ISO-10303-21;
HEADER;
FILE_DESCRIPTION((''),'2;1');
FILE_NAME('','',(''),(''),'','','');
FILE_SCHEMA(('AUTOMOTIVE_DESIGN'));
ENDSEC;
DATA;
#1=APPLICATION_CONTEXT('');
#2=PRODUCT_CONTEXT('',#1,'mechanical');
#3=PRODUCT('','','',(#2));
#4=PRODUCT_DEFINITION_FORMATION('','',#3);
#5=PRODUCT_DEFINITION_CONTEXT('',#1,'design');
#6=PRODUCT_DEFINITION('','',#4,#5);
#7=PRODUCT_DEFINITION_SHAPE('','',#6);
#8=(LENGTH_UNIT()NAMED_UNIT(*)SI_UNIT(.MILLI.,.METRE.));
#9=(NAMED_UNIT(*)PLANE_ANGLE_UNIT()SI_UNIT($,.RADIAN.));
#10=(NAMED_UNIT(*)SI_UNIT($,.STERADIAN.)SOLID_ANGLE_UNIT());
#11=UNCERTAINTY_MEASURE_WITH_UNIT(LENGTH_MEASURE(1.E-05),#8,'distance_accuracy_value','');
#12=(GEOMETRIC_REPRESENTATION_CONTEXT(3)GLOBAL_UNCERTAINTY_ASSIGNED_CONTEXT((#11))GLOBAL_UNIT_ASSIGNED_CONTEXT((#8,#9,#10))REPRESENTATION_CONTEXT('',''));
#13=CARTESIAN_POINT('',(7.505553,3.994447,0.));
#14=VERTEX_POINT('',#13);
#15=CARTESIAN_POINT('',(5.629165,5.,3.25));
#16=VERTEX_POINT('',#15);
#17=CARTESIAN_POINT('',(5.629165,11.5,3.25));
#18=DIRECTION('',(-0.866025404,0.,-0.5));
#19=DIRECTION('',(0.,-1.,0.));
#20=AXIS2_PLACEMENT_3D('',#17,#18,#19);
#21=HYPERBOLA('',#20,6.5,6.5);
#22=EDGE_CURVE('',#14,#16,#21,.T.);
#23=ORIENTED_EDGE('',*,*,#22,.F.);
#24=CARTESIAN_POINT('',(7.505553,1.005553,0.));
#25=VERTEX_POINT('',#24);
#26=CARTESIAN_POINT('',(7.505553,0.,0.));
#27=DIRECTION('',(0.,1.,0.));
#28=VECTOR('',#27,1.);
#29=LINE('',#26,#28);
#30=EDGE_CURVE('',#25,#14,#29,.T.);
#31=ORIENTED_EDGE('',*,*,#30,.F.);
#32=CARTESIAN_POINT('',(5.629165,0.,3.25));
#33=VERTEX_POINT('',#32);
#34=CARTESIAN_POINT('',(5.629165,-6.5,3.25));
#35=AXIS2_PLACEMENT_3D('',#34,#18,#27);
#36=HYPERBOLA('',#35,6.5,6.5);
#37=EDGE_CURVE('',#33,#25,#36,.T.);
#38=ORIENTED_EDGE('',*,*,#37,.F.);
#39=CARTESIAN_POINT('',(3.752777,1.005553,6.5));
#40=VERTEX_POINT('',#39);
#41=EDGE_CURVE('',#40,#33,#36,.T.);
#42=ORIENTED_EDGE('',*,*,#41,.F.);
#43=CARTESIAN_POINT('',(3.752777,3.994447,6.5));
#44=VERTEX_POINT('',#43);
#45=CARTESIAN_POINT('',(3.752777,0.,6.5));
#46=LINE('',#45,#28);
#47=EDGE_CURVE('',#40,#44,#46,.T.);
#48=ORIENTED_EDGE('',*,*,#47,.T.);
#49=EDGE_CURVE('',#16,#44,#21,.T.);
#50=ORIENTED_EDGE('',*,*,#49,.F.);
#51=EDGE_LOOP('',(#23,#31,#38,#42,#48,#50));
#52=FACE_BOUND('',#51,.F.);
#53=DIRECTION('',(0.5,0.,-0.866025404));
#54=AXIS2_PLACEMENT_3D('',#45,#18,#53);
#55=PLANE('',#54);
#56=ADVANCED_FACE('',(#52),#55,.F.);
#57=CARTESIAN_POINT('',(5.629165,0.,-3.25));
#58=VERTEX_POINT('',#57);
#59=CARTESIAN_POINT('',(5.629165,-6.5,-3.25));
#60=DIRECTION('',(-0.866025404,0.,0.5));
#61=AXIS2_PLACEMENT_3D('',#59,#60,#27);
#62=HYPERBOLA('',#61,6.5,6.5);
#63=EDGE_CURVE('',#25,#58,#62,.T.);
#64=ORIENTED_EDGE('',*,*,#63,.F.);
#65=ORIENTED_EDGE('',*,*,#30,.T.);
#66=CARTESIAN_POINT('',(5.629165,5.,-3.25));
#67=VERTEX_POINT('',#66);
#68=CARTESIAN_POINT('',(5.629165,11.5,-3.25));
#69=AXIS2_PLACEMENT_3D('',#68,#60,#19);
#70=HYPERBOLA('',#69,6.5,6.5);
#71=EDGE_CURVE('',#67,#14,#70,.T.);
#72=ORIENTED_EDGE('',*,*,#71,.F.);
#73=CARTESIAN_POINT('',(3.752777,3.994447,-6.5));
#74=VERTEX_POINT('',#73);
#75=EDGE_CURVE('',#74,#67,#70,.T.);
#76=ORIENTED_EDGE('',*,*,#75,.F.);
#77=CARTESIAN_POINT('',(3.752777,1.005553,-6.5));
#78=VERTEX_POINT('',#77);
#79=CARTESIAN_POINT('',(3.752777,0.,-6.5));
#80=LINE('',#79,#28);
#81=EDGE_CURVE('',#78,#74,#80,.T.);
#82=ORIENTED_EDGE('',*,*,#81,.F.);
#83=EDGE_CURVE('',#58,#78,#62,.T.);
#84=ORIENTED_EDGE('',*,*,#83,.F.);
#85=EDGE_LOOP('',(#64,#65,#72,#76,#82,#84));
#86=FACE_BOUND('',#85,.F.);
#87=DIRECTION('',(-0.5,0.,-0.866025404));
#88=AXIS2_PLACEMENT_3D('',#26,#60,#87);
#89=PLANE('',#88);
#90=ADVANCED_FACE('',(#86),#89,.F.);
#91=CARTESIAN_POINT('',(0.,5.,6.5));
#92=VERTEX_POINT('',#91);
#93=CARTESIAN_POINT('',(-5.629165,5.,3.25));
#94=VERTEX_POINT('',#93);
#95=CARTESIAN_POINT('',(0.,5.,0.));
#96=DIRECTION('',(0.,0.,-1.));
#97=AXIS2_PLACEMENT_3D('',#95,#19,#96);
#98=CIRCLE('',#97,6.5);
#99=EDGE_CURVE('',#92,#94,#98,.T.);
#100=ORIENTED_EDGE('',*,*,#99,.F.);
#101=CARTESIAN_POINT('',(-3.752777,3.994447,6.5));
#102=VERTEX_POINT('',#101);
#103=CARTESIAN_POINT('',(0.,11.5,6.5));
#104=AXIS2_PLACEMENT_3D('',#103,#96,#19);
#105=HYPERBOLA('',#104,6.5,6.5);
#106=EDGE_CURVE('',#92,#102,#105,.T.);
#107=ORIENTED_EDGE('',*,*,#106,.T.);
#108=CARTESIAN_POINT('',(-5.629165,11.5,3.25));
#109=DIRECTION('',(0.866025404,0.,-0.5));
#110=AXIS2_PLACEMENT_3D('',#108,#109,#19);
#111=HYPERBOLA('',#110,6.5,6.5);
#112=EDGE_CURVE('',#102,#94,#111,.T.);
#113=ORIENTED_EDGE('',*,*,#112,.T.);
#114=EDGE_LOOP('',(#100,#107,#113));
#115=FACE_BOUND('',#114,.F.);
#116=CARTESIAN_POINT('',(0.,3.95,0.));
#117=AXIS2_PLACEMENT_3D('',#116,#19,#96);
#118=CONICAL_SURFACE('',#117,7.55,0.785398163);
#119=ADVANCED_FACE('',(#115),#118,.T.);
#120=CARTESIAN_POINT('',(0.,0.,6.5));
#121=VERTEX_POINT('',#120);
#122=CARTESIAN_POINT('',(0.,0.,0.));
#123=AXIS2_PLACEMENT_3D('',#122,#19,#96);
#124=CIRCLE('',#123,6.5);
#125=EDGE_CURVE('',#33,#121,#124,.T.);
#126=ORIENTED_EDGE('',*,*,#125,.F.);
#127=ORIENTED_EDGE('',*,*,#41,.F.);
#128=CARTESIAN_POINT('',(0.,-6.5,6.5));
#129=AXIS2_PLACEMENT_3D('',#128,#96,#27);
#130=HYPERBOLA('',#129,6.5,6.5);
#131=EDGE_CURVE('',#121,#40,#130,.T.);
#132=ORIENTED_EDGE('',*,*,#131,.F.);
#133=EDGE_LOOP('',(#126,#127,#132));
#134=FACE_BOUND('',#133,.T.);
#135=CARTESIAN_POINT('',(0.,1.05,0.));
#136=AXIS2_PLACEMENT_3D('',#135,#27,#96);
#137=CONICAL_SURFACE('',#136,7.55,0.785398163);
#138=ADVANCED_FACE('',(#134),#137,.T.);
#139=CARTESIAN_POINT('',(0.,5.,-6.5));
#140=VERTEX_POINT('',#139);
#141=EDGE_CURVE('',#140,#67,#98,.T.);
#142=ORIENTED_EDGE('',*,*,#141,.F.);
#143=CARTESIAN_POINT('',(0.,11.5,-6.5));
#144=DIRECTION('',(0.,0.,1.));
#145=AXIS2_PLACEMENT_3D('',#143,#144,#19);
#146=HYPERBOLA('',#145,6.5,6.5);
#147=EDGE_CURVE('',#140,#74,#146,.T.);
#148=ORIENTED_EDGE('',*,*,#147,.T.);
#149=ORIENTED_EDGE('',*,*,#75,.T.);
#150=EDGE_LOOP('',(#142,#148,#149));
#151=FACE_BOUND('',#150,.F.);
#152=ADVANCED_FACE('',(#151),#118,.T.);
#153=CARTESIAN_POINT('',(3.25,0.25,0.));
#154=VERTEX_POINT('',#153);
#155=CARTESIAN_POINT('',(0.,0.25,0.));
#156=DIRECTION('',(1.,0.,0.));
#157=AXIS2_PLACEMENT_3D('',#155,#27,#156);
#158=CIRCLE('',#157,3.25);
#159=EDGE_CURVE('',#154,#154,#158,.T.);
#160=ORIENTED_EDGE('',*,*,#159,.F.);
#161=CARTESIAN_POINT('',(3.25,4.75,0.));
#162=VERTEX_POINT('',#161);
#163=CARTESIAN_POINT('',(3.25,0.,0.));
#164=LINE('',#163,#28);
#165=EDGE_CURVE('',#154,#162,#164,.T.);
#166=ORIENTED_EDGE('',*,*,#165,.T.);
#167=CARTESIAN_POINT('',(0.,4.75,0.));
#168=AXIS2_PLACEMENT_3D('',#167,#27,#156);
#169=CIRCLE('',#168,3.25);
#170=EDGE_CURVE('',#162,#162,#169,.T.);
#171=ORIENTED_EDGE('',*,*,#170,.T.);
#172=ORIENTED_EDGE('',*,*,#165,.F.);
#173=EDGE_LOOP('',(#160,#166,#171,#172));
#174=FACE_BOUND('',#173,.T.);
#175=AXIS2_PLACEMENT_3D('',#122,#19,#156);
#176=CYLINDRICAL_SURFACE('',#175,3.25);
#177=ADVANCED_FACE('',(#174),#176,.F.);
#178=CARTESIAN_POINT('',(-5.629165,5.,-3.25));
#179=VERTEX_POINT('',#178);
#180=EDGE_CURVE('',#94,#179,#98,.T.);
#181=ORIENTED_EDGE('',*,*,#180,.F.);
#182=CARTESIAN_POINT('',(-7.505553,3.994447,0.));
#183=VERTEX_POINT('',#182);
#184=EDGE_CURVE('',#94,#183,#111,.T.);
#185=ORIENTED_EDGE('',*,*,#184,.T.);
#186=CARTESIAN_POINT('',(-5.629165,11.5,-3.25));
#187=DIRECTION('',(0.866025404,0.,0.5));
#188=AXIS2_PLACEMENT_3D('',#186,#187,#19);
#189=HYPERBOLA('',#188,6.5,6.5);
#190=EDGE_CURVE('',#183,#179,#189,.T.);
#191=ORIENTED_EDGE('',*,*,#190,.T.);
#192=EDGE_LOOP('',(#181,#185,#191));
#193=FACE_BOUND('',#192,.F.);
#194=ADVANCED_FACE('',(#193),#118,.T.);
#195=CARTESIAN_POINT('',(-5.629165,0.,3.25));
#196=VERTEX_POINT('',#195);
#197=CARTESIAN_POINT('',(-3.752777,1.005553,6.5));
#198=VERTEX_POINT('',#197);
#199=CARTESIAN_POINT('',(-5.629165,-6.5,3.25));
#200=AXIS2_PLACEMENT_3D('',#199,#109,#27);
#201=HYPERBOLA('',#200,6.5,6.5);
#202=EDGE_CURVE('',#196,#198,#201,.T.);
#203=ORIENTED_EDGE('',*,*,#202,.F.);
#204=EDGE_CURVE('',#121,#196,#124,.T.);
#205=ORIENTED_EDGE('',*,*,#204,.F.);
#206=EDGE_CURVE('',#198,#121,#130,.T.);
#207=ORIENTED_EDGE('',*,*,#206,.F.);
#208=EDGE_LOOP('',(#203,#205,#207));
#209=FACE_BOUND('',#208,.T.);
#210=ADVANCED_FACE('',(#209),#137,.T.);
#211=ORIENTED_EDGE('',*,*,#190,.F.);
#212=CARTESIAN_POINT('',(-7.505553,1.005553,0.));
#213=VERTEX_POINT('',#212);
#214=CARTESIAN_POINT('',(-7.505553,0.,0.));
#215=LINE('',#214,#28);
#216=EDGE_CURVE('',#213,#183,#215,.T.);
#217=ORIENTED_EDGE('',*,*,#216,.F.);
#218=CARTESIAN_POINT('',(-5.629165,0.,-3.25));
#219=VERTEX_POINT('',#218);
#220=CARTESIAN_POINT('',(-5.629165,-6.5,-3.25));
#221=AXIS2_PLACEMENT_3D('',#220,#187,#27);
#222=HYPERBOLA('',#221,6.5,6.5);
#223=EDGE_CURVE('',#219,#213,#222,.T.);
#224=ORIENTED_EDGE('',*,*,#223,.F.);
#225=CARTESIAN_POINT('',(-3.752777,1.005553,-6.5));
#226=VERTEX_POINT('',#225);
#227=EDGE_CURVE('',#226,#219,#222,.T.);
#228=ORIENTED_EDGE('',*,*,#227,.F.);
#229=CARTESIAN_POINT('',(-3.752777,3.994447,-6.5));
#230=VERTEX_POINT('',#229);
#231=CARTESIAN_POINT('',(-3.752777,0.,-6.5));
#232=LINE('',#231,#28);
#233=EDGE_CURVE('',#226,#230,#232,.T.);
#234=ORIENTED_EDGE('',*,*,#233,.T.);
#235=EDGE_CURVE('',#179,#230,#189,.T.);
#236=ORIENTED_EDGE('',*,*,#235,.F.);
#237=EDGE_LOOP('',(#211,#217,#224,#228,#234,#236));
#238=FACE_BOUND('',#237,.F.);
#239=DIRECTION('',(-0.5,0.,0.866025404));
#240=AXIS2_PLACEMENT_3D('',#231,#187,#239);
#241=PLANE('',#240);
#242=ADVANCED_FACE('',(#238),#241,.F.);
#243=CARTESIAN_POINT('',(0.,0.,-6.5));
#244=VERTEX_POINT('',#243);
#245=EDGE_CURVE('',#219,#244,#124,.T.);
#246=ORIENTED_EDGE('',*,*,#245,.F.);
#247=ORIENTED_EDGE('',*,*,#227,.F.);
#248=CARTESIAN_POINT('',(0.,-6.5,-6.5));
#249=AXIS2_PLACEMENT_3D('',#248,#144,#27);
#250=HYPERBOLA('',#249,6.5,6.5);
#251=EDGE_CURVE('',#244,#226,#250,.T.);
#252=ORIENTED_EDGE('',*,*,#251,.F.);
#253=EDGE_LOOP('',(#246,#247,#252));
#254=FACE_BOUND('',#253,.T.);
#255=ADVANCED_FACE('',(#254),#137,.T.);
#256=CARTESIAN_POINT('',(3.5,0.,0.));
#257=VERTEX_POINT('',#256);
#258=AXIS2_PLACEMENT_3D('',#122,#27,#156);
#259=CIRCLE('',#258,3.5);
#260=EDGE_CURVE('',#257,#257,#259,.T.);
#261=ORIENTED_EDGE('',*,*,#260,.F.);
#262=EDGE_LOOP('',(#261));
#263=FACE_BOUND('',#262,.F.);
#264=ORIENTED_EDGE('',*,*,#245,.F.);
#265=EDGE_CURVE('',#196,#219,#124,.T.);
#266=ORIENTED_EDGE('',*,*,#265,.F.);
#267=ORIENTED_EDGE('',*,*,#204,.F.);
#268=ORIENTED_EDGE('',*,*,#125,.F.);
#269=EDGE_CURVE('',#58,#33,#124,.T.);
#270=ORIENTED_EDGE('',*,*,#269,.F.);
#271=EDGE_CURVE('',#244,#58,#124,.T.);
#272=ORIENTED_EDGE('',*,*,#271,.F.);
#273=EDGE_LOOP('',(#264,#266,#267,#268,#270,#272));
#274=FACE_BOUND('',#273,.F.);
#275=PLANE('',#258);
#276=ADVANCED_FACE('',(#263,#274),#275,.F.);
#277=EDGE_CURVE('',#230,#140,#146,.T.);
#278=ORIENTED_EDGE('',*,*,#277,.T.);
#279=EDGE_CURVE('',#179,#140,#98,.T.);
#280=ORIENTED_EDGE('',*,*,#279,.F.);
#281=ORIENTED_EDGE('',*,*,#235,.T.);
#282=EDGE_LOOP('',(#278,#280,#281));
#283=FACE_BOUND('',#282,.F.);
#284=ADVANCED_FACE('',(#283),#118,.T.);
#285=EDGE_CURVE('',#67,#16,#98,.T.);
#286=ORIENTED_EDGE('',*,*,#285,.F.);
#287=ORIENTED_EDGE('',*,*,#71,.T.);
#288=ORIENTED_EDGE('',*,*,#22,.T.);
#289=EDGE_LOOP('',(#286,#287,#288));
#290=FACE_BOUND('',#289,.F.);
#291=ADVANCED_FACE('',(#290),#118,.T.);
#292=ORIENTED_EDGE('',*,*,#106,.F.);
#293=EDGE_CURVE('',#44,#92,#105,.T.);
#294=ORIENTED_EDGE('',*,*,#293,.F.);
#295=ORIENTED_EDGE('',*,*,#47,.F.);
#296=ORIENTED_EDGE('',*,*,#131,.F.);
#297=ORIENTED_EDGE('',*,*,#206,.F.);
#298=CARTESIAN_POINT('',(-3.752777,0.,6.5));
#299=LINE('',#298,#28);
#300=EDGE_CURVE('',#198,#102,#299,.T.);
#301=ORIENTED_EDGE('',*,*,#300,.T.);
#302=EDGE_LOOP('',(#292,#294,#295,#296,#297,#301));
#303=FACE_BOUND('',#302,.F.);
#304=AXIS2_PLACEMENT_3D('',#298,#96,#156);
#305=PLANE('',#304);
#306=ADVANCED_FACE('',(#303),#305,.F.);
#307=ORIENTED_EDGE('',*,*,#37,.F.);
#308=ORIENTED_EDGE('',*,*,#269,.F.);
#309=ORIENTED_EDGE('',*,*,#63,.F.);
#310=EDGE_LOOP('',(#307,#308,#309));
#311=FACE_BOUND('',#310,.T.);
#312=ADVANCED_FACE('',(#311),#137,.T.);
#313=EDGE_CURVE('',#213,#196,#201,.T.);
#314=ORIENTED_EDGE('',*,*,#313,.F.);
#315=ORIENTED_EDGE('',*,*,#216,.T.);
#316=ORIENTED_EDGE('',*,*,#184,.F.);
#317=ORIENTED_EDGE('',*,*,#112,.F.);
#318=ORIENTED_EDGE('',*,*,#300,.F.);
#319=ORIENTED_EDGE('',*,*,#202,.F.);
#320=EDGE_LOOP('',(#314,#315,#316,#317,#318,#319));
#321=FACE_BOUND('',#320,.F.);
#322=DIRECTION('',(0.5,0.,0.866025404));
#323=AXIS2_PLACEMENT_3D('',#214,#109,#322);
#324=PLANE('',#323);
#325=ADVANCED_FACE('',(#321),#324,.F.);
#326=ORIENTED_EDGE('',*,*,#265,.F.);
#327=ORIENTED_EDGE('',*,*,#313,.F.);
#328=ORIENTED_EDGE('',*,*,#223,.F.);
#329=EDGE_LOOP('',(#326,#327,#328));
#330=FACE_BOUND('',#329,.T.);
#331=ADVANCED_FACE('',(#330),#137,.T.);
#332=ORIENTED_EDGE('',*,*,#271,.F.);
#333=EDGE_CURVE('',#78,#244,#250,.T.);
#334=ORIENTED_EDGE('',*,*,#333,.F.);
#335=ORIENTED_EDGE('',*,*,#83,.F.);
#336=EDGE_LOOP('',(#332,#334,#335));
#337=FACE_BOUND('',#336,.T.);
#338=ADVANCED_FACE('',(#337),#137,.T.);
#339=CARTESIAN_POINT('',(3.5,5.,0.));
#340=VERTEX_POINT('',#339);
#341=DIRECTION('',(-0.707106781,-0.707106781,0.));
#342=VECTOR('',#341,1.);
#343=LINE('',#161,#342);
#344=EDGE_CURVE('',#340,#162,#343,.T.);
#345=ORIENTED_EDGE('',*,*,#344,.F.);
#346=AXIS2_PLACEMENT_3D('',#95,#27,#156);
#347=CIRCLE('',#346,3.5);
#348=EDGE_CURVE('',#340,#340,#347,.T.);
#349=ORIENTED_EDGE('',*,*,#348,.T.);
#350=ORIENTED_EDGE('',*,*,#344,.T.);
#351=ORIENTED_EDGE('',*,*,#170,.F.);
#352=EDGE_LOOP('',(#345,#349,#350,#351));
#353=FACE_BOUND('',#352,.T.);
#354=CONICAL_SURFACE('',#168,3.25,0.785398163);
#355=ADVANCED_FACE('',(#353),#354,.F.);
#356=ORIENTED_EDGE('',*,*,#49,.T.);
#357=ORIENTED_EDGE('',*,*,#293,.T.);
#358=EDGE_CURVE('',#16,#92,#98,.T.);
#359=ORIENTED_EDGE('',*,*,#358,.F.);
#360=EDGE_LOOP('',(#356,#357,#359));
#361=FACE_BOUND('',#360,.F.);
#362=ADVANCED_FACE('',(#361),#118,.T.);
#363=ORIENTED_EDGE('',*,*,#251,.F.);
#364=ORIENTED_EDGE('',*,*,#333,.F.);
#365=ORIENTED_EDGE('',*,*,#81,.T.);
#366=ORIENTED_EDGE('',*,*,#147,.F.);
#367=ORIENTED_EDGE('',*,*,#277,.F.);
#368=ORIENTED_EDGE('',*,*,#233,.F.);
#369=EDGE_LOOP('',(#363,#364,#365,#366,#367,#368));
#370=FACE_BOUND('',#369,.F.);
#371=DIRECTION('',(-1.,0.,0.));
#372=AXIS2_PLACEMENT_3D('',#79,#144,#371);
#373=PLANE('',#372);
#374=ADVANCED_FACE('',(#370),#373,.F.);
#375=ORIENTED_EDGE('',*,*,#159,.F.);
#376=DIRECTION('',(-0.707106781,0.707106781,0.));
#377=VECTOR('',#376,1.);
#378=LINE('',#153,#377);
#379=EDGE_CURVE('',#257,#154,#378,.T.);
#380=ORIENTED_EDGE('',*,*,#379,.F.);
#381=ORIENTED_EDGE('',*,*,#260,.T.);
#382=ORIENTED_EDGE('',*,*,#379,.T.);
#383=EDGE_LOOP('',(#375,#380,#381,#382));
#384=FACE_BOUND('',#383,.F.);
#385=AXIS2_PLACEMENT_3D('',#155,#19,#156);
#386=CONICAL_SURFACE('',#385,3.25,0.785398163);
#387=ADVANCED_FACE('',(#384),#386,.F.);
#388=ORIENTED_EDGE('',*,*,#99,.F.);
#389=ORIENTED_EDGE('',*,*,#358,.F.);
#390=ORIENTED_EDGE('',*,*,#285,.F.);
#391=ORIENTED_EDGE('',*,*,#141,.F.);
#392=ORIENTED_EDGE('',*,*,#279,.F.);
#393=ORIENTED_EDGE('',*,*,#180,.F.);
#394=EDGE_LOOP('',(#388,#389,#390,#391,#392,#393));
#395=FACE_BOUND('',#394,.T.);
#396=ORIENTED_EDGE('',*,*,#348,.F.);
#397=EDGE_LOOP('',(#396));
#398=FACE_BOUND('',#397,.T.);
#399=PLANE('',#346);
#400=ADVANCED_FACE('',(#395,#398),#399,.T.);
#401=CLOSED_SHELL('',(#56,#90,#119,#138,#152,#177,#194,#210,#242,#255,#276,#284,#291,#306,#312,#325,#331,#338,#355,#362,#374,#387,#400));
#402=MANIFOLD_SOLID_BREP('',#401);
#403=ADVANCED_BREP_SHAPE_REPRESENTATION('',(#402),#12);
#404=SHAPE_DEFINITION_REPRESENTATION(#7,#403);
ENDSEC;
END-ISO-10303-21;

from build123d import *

# Parameters (mm, degrees)
SKETCH1_R           = 3.25
BOSS_EXTRUDE1_DEPTH = 5
CHAMFER2_SIZE       = 0.25


with BuildPart() as part:
    # Sketch1 → Boss-Extrude1 (new body)
    with BuildSketch(Plane(origin=(0, 0, 0), x_dir=(1, 0, 0), z_dir=(0, 1, 0))):
        Polygon((3.75277675, -6.5), (7.505553499, 0), (3.75277675, 6.5), (-3.75277675, 6.5), (-7.505553499, 0), (-3.75277675, -6.5), align=None)
        Circle(SKETCH1_R, mode=Mode.SUBTRACT)
    extrude(amount=BOSS_EXTRUDE1_DEPTH)

    # Sketch2 → Cut-Revolve1 (revolve, cut)
    with BuildSketch(Plane(origin=(0, 0, 0), x_dir=(0, 0, -1), z_dir=(1, 0, 0))):
        Polygon((6.5, 5), (7.55, 6.05), (7.55, 3.95), align=None)
        Polygon((7.55, 1.05), (6.5, 0), (7.55, -1.05), align=None)
    revolve(axis=Axis((0, 5, 0), (0, -1, 0)), mode=Mode.SUBTRACT)

    # Chamfer2
    chamfer2_edges = [part.edges().sort_by_distance(p)[0] for p in [
        (-3.25, 5, 0),
        (-3.25, 0, 0),
    ]]
    chamfer(chamfer2_edges, length=CHAMFER2_SIZE)


solid = part.part
